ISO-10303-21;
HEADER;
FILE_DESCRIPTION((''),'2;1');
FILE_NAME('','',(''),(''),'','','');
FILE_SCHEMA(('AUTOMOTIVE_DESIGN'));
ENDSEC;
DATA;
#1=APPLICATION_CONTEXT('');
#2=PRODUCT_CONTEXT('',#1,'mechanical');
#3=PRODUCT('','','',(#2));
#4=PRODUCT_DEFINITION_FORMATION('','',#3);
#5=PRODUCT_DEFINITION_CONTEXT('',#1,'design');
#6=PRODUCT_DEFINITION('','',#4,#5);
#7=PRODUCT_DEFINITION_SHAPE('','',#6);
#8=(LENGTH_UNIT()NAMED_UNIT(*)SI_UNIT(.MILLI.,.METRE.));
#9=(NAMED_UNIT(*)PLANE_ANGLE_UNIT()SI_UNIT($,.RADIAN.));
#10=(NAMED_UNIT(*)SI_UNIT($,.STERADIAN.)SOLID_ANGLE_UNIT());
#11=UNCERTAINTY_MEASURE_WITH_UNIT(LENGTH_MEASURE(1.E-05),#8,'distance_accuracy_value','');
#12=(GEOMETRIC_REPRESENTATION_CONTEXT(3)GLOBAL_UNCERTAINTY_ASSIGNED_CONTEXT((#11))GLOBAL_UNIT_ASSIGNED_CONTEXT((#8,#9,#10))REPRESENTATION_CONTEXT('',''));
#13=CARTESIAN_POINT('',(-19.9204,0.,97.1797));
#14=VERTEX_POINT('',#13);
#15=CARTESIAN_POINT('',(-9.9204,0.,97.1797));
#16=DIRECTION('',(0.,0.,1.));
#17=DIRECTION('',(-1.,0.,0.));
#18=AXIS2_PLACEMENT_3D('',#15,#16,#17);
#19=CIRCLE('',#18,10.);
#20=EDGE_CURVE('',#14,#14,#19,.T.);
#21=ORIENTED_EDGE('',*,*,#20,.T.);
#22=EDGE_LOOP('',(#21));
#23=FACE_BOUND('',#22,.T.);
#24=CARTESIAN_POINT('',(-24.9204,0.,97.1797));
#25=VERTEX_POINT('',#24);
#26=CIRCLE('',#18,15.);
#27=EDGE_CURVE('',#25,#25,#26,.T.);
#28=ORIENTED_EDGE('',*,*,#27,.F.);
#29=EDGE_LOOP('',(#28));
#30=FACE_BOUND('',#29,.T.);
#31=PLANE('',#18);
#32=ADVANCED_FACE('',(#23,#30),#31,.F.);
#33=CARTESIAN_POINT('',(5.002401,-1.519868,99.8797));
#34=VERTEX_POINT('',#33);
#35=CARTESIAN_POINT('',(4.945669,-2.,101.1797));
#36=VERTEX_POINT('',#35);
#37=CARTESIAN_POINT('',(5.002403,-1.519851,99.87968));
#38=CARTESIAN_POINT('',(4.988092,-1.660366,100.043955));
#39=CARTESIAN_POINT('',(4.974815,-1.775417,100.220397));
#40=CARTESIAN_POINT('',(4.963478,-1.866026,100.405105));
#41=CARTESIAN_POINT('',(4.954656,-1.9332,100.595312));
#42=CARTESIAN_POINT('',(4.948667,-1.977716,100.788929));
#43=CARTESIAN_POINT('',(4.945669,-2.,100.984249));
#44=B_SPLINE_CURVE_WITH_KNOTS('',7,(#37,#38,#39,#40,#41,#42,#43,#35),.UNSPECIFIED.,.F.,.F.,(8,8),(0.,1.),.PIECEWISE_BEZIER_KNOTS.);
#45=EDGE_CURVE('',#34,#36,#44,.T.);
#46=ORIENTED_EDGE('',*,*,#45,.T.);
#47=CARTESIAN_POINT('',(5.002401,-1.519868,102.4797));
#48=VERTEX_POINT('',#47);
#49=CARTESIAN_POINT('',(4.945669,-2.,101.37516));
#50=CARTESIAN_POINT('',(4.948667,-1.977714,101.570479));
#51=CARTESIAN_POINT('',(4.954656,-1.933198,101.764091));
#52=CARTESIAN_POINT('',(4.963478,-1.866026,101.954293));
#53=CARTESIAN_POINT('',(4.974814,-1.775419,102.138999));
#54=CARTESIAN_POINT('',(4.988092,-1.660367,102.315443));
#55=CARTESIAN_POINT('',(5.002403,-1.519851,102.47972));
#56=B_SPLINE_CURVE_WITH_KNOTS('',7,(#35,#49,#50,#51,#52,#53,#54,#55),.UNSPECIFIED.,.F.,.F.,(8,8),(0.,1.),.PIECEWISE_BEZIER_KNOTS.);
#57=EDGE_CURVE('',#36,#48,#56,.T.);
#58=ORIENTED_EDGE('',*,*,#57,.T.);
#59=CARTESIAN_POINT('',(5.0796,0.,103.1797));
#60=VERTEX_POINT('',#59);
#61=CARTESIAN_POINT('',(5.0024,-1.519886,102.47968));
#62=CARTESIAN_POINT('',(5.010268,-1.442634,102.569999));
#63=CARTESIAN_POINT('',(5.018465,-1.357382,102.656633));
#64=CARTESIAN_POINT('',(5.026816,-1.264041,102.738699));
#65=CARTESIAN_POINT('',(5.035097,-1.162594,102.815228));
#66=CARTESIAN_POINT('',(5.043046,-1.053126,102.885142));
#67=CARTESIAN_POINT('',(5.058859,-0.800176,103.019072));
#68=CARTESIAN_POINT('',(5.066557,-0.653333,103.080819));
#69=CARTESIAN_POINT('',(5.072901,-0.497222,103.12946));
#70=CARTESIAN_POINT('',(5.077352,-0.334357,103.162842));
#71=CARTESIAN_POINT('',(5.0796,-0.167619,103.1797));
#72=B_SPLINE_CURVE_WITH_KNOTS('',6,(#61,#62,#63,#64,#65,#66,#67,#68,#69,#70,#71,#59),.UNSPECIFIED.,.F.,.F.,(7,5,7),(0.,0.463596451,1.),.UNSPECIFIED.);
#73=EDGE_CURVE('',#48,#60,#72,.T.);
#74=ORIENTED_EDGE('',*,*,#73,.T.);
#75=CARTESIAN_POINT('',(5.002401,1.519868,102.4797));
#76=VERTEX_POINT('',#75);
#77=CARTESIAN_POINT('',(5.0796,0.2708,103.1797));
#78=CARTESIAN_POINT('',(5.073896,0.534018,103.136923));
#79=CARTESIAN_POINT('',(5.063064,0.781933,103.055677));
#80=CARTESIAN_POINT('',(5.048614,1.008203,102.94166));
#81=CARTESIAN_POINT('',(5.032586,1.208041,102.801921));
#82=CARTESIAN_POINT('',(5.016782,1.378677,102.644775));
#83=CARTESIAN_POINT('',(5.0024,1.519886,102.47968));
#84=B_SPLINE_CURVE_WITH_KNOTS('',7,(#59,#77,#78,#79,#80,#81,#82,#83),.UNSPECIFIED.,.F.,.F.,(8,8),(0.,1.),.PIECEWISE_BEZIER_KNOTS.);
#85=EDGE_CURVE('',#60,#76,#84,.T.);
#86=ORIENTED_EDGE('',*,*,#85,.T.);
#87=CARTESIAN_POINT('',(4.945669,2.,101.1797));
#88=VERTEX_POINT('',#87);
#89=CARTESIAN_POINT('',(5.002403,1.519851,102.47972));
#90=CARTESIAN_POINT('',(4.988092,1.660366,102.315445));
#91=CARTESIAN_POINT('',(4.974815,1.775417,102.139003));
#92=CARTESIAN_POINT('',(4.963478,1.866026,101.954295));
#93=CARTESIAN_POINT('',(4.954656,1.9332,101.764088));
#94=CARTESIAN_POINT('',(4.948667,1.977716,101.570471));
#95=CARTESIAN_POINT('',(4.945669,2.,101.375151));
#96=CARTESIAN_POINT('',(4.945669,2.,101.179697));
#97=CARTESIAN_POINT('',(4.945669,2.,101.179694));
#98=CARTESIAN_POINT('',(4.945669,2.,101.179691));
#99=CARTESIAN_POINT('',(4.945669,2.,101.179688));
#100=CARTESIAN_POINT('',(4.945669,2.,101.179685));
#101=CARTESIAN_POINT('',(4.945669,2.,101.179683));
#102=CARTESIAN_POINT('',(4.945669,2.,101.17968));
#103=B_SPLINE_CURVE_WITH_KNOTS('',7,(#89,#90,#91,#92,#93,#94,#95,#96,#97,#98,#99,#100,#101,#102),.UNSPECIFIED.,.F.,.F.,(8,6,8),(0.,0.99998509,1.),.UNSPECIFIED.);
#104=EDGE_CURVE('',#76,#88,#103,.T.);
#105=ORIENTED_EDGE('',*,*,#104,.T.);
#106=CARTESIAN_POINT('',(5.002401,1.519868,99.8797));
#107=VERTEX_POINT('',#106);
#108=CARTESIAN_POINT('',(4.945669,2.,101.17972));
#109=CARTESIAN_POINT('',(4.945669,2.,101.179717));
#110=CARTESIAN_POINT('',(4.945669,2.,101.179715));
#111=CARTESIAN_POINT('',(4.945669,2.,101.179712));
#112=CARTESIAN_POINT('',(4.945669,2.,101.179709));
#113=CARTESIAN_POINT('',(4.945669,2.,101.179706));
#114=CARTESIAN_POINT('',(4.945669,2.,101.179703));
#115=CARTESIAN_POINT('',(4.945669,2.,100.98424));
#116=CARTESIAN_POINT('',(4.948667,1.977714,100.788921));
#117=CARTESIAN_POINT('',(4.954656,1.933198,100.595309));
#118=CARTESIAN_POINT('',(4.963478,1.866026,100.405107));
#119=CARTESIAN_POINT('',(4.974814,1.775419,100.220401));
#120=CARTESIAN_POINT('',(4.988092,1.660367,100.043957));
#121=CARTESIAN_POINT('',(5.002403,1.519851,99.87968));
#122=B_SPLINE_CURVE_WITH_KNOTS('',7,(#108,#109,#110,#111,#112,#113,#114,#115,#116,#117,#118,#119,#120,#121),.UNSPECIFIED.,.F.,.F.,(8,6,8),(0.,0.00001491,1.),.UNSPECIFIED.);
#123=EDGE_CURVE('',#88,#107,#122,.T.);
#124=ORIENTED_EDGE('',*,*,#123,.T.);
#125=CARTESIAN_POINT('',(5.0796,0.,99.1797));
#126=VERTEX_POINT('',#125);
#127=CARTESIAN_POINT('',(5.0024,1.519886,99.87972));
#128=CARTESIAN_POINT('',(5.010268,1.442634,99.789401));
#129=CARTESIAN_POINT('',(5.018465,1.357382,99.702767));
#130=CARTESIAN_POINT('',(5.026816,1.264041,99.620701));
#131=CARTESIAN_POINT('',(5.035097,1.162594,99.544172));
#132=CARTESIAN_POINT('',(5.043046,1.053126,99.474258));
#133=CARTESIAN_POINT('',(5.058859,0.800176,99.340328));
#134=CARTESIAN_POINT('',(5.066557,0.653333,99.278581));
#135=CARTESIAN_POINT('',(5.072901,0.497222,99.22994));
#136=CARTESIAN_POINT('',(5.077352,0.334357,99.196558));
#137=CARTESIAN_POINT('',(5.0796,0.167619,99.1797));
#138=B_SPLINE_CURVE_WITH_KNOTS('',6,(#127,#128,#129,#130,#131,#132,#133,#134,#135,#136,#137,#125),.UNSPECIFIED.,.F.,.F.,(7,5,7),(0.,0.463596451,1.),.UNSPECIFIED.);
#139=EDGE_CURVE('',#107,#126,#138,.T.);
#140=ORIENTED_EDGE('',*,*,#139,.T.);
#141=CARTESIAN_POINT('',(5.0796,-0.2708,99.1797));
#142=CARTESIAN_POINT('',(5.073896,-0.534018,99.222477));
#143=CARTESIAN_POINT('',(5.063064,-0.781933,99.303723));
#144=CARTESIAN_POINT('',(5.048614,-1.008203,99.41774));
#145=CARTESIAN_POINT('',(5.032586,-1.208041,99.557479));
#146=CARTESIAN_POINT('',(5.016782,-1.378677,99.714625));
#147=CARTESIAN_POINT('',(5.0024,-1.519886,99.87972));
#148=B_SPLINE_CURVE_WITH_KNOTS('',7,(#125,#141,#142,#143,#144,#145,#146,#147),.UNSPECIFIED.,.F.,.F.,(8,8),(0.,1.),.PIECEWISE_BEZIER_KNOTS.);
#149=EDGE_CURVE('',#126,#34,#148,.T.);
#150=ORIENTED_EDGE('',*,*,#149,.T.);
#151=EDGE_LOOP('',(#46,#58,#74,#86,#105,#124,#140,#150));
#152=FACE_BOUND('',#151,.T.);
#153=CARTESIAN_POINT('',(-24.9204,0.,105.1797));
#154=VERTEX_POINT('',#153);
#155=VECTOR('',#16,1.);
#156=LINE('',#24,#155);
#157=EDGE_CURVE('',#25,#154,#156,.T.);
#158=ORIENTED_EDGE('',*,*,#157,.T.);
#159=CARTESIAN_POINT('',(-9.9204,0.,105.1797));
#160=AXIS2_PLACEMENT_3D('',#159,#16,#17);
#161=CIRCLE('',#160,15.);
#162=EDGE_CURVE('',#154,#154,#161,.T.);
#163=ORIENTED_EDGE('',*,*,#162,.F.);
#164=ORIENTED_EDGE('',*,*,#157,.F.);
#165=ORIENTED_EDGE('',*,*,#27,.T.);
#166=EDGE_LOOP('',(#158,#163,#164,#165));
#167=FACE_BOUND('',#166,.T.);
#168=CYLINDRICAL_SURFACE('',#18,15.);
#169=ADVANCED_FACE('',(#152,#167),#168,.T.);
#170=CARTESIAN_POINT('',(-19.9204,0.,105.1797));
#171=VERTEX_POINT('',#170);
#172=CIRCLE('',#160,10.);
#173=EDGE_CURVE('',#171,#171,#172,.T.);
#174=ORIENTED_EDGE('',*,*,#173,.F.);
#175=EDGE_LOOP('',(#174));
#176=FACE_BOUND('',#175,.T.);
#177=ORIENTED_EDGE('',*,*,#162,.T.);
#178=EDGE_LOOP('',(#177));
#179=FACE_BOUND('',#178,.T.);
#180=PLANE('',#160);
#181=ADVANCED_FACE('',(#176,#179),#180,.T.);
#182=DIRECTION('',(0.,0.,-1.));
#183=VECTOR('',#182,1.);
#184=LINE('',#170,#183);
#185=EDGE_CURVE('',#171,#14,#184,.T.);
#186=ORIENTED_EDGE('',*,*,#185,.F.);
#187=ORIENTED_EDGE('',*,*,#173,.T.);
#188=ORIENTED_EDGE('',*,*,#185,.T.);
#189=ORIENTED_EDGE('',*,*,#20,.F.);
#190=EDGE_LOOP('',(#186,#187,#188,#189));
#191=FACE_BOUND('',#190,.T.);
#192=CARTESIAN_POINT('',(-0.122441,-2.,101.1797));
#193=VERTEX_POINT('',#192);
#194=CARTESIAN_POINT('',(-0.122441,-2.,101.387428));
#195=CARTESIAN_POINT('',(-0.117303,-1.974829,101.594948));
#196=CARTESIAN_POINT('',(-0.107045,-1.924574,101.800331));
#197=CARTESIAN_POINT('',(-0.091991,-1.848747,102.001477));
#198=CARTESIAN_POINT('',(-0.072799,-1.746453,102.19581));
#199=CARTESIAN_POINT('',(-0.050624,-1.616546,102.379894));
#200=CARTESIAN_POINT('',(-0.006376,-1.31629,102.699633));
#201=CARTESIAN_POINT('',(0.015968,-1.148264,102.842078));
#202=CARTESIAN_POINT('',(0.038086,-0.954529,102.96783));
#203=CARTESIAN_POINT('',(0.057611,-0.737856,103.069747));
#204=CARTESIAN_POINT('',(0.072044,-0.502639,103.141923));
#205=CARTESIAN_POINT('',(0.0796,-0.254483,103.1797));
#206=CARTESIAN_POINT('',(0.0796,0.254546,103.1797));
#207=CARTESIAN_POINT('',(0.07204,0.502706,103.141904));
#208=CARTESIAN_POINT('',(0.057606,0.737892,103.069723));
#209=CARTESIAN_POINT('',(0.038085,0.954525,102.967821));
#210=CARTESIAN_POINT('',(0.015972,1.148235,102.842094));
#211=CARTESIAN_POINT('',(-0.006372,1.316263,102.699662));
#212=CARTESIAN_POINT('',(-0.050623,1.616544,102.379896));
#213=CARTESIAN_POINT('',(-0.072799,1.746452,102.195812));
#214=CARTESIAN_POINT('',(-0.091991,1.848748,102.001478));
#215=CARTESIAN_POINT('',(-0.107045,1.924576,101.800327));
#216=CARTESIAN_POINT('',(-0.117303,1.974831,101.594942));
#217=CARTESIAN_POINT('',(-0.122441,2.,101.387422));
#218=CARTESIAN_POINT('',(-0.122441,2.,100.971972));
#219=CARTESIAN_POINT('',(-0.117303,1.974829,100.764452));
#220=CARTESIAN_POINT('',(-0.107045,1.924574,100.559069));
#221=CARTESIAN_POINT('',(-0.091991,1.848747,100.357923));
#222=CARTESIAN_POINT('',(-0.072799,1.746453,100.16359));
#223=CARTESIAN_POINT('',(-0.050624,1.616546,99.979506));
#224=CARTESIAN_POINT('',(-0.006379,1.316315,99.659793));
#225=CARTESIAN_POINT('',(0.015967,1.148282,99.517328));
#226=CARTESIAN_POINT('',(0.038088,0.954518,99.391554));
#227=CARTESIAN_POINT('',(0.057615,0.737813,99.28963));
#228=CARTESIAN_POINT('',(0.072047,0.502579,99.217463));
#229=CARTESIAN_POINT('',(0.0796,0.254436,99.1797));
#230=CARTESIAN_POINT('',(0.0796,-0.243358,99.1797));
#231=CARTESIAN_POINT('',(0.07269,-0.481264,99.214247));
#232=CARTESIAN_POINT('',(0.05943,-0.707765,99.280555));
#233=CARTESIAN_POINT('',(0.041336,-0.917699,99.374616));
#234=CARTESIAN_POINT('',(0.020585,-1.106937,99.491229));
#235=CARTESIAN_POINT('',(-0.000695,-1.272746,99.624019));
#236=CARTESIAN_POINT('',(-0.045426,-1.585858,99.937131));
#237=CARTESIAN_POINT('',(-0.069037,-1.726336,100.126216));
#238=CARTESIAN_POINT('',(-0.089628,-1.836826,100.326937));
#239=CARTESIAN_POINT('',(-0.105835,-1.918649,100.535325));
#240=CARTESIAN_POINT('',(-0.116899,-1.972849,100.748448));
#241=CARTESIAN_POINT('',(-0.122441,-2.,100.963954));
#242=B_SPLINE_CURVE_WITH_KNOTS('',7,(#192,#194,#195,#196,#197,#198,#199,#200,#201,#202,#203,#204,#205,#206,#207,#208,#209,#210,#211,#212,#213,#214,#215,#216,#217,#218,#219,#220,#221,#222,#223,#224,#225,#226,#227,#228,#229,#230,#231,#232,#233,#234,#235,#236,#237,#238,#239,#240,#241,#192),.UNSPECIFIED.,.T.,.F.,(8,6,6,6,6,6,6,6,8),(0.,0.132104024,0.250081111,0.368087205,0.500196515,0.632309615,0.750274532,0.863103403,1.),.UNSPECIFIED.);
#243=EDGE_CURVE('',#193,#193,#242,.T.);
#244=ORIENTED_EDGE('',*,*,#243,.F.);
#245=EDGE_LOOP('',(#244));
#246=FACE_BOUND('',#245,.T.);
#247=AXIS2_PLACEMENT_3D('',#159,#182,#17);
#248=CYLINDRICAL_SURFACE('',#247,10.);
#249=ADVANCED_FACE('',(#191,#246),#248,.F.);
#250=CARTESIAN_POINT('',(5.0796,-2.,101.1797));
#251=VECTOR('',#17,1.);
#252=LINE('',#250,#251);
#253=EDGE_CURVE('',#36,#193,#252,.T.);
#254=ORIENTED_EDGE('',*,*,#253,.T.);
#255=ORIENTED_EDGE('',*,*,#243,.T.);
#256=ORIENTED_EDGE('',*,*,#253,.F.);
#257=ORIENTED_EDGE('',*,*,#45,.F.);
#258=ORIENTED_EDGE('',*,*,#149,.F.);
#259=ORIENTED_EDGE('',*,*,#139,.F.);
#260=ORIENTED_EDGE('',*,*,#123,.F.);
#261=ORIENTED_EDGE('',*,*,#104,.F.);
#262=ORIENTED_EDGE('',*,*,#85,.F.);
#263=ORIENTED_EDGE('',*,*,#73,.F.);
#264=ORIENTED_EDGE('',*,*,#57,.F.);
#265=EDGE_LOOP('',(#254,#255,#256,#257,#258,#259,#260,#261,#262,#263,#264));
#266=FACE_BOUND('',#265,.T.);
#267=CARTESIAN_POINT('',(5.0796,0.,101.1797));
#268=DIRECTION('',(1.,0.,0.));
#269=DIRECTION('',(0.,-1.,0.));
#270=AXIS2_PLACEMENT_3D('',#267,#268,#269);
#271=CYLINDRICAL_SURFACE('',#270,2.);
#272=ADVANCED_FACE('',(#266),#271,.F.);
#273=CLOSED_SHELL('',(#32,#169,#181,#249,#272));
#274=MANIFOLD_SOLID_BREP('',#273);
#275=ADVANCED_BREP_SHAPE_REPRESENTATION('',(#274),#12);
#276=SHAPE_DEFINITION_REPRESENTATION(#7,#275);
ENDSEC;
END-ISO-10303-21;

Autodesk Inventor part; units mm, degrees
ref_plane "YZ Plane" through (0, 0, 0) normal (1, 0, 0) x (0, 1, 0)
ref_plane "XZ Plane" through (0, 0, 0) normal (0, 1, 0) x (-1, 0, 0)
ref_plane "XY Plane" through (0, 0, 0) normal (0, 0, 1) x (1, 0, 0)
sketch "スケッチ1" plane through (0, 0, 0) normal (0, 1, 0) x (-1, 0, 0)
  line L0 (-5.0796, -45.5704) -> (-5.0796, 73.9296)
  line L1 (-5.0796, 73.9296) -> (-4.5796, 74.4296)
  line L2 (-4.5796, 74.4296) -> (24.4204, 74.4296)
  line L3 (24.4204, 74.4296) -> (24.9204, 73.9296)
  line L4 (24.9204, 73.9296) -> (24.9204, -45.5704)
  line L5 (24.9204, -45.5704) -> (-5.0796, -45.5704)
  line L6 (1.9204, -47.0704) -> (1.9204, -50.5704)
  line L7 (1.9204, -50.5704) -> (17.9204, -50.5704)
  line L8 (17.9204, -50.5704) -> (17.9204, -47.0704)
  line L9 (17.9204, -47.0704) -> (1.9204, -47.0704)
  line L10 (2.9204, -47.0704) -> (2.9204, -45.5704)
  line L11 (16.9204, -45.5704) -> (16.9204, -47.0704)
  line L12 (31.4204, 56.4296) -> (30.9204, 56.9296)
  line L13 (30.9204, 56.9296) -> (30.9204, 71.9296)
  line L14 (30.9204, 71.9296) -> (31.4204, 72.4296)
  line L15 (31.4204, 72.4296) -> (38.4204, 72.4296)
  line L16 (38.4204, 72.4296) -> (38.9204, 71.9296)
  line L17 (38.9204, 71.9296) -> (38.9204, 56.9296)
  line L18 (38.9204, 56.9296) -> (38.4204, 56.4296)
  line L19 (38.4204, 56.4296) -> (31.4204, 56.4296)
  line L20 (31.4204, 56.4296) -> (31.4204, 72.4296)
  line L21 (30.9204, 70.4296) -> (27.9204, 70.4296)
  line L22 (27.9204, 70.4296) -> (27.9204, 58.4296)
  line L23 (27.9204, 58.4296) -> (30.9204, 58.4296)
  line L24 (38.4204, 56.4296) -> (38.4204, 72.4296)
  line L25 (27.9204, 66.9296) -> (24.9204, 66.9296)
  line L26 (27.4204, 66.9296) -> (27.4204, 61.9296)
  line L27 (27.9204, 61.9296) -> (24.9204, 61.9296)
  line L28 (24.9204, 73.9296) -> (-5.0796, 73.9296)
  line L29 (-5.0796, 97.1797) -> (24.9204, 97.1797)
  line L30 (24.9204, 97.1797) -> (24.9204, 105.1797)
  line L31 (24.9204, 105.1797) -> (-5.0796, 105.1797)
  line L32 (-5.0796, 105.1797) -> (-5.0796, 97.1797)
  line L33 (24.9204, 99.1797) -> (27.9204, 99.1797)
  line L34 (27.2723, 99.1797) -> (27.2723, 103.1797)
  line L35 (27.9204, 103.1797) -> (24.9204, 103.1797)
  line L36 (27.9204, 105.6797) -> (27.9204, 96.6797)
  line L37 (27.9204, 96.6797) -> (28.4204, 96.1797)
  line L38 (28.4204, 96.1797) -> (32.4204, 96.1797)
  line L39 (32.4204, 96.1797) -> (32.9204, 96.6797)
  line L40 (32.9204, 96.6797) -> (32.9204, 105.6797)
  line L41 (32.9204, 105.6797) -> (32.4204, 106.1797)
  line L42 (32.4204, 106.1797) -> (28.4204, 106.1797)
  line L43 (28.4204, 106.1797) -> (27.9204, 105.6797)
  line L44 (28.4204, 106.1797) -> (28.4204, 96.1797)
  line L45 (32.4204, 96.1797) -> (32.4204, 106.1797)
  line L46 (2.4204, -50.5704) -> (2.4204, -47.0704)
  line L47 (-0.0796, -40.5704) -> (-0.0796, 74.4296)
  line L48 (19.9204, 74.4296) -> (19.9204, -40.5704)
  line L49 (19.9204, -40.5704) -> (9.9204, -46.3439)
  line L50 (9.9204, -46.3439) -> (-0.0796, -40.5704)
  line L51 (-0.0796, -40.5704) -> (19.9204, -40.5704)
  line L52 (17.4204, -47.0704) -> (17.4204, -50.5704)
  line L53 (9.9204, -56.5156) -> (9.9204, 78.76)
  line L54 (9.9204, 93.5864) -> (9.9204, 108.5157)
  line L55 (19.9204, 105.1797) -> (19.9204, 97.1797)
  line L56 (22.5096, 101.1797) -> (35.2156, 101.1797)
  line L57 (27.9204, 103.1797) -> (27.2723, 102.4797)
  line L58 (27.2723, 102.4797) -> (24.9204, 102.4797)
  line L59 (24.9204, 99.8797) -> (27.2723, 99.8797)
  line L60 (27.2723, 99.8797) -> (27.9204, 99.1797)
  line L61 (-0.0796, 97.1797) -> (-0.0796, 105.1797)
  line L62 (24.9204, 66.2296) -> (27.4204, 66.2296)
  line L63 (27.4204, 66.2296) -> (27.9204, 66.9296)
  line L64 (27.4204, 62.6296) -> (27.9204, 61.9296)
  line L65 (27.4204, 62.6296) -> (24.9204, 62.6296)
  line L66 (22.6428, 64.4296) -> (42.5049, 64.4296)
  line L67 (32.2954, 71.4296) -> (38.4204, 71.4296)
  line L68 (33.1704, 70.4296) -> (38.4204, 70.4296)
  line L69 (34.0454, 69.4296) -> (38.4204, 69.4296)
  line L70 (34.9204, 68.4296) -> (38.4204, 68.4296)
  line L71 (35.7954, 67.4296) -> (38.4204, 67.4296)
  line L72 (36.6704, 66.4296) -> (38.4204, 66.4296)
  line L73 (37.5454, 65.4296) -> (38.4204, 65.4296)
  line L74 (29.2204, 105.1797) -> (32.4204, 105.1797)
  line L75 (30.0204, 104.1797) -> (32.4204, 104.1797)
  line L76 (30.8204, 103.1797) -> (32.4204, 103.1797)
  line L77 (31.6204, 102.1797) -> (32.4204, 102.1797)
  point P0 (0, 0)
  point P1 (52.3578, -69.094)
  point P2 (52.3578, -59.2279)
revolve "回転1" add sketch "スケッチ1" angle 360 about axis through (-9.9204, 0, 93.5864) along (0, 0, 1) contours L55 L31 L30 L29
sketch "スケッチ2" plane through (-9.9204, 0, 105.1797) normal (0, 0, 1) x (1, 0, 0)
  circle A0 centre (0, 0) radius 15 projected
  line L0 (15, 0) -> (15, -27.9222) construction
  point P0 (9.9204, 0)
ref_plane "作業平面1" through (5.0796, 0, 105.1797) normal (-1, 0, 0) x (0, -1, 0)
sketch "スケッチ3" plane through (5.0796, 0, 105.1797) normal (-1, 0, 0) x (0, -1, 0)
  line L0 (10, 0) -> (-10, 0) projected
  line L1 (0, 0) -> (0, -4) construction
  circle A0 centre (0, -4) radius 2
  point P0 (0, -105.1797)
  dimension "d1" = 4
  dimension "d2" = 4
extrude "押し出し1" cut sketch "スケッチ3" along normal blind 10
thread "ねじ1" size "M4x0.7" class "6H" standard "ANSI Metric M Profile" full length
properties part number "ring_base" material "UHMW、黒"
